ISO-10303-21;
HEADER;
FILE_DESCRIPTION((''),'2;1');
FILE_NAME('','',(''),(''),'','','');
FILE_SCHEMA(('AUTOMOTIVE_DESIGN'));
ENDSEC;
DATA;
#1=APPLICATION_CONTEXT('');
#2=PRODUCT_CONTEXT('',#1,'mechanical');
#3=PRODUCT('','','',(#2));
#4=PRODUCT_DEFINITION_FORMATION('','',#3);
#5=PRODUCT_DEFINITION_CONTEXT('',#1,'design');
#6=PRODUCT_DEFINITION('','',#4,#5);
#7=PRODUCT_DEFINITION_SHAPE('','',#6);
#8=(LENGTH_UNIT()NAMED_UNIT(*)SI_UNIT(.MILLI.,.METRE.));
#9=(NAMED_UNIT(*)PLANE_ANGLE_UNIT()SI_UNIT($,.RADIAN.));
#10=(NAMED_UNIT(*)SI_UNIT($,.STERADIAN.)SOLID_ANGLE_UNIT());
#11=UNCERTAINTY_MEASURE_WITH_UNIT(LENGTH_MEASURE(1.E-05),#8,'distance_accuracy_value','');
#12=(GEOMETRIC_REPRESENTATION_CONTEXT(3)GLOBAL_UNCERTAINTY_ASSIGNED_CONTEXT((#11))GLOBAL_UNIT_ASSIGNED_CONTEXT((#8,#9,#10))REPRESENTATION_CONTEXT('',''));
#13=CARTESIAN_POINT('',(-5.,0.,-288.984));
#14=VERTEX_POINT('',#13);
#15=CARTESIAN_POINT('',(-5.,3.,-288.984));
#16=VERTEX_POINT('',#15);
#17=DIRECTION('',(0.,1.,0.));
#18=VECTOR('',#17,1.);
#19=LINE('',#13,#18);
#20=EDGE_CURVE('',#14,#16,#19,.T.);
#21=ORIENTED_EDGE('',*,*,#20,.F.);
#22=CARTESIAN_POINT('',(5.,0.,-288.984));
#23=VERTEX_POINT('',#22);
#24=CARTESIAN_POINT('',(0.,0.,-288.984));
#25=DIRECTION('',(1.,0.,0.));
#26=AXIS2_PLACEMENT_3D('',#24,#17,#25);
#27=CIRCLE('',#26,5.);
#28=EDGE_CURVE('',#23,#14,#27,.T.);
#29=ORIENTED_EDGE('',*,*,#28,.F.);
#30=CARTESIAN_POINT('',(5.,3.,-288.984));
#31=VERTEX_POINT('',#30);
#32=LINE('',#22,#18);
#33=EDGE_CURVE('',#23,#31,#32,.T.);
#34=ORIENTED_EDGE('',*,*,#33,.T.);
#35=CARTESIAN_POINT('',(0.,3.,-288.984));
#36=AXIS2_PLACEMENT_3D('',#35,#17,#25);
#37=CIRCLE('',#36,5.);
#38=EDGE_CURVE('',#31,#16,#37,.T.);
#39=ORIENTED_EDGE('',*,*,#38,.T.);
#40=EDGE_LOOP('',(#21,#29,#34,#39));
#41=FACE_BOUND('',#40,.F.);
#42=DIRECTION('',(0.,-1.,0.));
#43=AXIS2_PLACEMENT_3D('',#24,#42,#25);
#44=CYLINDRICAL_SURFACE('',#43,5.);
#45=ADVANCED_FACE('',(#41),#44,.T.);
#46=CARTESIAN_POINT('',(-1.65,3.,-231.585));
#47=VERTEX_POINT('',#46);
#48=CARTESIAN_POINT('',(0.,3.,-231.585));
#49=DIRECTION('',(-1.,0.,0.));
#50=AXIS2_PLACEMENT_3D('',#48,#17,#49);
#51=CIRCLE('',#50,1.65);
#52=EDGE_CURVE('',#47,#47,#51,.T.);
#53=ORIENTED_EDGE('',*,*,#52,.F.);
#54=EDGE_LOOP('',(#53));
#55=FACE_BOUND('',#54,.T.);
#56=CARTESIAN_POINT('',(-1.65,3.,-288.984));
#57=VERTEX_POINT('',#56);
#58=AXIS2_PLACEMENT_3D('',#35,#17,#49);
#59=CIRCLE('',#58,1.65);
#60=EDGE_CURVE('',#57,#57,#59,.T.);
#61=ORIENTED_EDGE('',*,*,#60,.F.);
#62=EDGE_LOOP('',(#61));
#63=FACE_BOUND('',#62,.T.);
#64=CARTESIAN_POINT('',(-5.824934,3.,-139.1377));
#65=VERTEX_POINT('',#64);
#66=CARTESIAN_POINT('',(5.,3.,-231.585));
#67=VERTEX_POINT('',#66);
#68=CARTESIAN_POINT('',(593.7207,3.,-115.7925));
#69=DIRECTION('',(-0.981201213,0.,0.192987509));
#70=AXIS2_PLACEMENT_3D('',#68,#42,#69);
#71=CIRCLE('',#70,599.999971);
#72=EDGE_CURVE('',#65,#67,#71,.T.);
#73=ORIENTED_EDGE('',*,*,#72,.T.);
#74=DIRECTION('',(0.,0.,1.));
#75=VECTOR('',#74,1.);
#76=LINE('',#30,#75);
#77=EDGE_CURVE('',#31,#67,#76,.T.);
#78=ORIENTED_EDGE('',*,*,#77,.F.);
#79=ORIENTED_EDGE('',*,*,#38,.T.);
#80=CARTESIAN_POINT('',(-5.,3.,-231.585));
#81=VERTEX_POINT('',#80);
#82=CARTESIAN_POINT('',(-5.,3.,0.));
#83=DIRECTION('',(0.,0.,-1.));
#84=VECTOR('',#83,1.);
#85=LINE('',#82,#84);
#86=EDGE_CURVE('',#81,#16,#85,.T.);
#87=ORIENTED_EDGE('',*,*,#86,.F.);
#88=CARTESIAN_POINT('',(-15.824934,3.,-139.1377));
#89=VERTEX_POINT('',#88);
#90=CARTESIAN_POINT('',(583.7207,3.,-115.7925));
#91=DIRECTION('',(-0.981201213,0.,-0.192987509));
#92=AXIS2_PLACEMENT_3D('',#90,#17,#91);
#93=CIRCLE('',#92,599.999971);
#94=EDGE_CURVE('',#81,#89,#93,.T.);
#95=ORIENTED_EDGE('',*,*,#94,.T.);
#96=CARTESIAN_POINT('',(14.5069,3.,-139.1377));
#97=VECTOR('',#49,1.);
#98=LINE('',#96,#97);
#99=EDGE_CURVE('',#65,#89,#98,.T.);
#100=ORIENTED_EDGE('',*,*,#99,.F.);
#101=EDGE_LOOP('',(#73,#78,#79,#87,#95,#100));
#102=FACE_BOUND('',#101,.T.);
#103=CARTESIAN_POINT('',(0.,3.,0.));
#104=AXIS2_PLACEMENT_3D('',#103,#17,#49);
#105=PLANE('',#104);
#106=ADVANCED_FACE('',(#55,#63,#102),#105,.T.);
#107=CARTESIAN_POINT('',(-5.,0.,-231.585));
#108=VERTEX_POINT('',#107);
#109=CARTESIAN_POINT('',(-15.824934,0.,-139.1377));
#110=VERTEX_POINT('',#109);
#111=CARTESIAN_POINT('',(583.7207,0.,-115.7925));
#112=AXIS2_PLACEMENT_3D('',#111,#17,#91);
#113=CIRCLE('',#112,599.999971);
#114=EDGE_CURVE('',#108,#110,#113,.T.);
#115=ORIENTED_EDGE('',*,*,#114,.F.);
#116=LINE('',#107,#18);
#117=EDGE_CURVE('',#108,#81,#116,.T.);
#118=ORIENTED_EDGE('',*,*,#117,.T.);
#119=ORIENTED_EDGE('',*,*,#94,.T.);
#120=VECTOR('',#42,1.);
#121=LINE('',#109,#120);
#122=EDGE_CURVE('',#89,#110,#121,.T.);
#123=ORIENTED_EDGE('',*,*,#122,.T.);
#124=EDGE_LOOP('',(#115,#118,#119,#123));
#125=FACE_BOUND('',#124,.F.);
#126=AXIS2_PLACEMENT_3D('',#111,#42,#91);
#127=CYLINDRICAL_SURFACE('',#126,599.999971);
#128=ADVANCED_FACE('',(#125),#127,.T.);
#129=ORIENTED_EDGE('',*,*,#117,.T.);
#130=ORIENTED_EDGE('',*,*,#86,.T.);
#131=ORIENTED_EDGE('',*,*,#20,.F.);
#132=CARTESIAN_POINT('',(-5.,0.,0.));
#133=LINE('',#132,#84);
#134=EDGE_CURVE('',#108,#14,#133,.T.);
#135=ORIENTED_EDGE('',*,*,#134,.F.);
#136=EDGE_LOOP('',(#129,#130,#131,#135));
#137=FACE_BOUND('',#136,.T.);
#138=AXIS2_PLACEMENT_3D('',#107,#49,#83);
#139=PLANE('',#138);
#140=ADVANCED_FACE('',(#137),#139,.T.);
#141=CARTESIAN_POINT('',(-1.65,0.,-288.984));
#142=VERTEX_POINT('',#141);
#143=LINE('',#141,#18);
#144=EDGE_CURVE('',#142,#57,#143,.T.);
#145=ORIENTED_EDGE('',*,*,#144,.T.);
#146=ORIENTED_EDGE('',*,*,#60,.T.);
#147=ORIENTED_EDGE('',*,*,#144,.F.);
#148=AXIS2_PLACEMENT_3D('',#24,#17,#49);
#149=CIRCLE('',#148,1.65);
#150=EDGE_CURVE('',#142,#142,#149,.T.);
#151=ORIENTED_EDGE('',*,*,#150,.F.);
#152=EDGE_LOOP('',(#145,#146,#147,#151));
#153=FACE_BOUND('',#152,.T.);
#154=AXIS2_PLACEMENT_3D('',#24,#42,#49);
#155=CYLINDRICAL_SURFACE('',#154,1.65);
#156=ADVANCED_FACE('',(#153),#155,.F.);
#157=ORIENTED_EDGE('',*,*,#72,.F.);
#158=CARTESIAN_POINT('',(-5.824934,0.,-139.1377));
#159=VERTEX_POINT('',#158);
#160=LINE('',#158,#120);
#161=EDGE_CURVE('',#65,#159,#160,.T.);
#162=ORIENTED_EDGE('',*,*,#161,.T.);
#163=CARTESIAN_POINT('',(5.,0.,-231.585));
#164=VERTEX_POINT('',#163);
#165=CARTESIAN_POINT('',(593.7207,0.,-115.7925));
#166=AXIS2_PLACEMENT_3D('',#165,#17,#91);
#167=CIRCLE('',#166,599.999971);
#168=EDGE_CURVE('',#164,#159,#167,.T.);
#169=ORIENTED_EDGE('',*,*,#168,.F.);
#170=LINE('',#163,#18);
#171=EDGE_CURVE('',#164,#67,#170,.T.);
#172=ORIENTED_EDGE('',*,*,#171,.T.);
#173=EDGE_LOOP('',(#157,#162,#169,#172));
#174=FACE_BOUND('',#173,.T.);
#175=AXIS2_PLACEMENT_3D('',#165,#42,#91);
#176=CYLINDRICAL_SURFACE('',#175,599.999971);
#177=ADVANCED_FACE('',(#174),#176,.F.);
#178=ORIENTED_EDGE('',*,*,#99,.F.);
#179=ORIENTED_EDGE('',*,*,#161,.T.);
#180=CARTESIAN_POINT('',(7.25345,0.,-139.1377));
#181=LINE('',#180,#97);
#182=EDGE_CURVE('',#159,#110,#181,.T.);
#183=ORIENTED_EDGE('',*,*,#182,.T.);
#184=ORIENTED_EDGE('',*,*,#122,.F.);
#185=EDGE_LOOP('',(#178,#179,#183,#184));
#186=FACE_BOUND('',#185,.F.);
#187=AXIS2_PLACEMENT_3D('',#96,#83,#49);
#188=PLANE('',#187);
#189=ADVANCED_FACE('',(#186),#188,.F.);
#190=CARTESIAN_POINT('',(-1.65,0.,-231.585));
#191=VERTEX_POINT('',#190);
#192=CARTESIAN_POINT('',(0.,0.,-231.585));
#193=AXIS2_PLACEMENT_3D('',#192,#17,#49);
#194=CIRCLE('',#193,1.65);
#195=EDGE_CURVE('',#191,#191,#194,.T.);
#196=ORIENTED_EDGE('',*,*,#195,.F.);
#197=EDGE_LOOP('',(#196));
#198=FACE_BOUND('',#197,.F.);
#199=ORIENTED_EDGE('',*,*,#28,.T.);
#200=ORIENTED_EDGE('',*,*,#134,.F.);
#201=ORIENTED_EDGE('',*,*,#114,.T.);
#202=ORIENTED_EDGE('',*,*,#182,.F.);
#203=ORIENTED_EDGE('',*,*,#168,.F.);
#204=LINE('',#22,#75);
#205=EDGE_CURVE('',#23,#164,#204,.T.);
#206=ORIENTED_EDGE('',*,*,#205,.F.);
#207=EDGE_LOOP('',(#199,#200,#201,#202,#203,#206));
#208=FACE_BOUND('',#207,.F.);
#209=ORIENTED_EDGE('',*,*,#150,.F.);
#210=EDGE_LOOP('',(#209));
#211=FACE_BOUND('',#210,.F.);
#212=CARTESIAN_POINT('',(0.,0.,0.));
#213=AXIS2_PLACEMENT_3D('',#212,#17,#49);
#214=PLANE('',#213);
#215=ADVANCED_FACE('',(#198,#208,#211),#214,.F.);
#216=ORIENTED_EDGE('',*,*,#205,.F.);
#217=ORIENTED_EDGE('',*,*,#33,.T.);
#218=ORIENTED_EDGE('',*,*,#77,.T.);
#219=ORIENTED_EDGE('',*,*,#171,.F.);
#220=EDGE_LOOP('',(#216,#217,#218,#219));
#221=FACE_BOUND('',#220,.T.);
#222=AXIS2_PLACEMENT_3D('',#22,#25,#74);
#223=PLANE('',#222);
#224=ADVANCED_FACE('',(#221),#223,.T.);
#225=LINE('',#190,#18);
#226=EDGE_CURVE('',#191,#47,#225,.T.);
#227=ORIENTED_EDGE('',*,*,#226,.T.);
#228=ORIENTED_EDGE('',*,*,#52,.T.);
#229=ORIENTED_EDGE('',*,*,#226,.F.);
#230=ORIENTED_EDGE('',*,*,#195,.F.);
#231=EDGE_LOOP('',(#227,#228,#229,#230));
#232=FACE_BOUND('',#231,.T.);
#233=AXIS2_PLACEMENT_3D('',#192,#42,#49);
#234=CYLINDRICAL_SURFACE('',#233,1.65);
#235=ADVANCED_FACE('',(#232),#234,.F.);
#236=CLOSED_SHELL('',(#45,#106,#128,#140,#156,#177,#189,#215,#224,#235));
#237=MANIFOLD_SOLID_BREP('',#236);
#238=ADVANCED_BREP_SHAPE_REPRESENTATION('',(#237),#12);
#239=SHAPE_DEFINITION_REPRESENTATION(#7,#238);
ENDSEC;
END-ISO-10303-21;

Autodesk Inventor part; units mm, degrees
ref_plane "YZ Plane" through (0, 0, 0) normal (1, 0, 0) x (0, 1, 0)
ref_plane "XZ Plane" through (0, 0, 0) normal (0, 1, 0) x (-1, 0, 0)
ref_plane "XY Plane" through (0, 0, 0) normal (0, 0, 1) x (1, 0, 0)
sketch "Sketch1" plane through (0, 0, 0) normal (0, 1, 0) x (-1, 0, 0)
  line L0 (0, 0) -> (0, -288.984) construction
  line L1 (5, 0) -> (5, -288.984)
  line L2 (-5, -288.984) -> (-5, 0)
  arc A0 (5, 0) -> (-5, 0) centre (0, 0) ccw
  arc A1 (-5, -288.984) -> (5, -288.984) centre (0, -288.984) ccw
  circle A2 centre (0, 0) radius 1.65
  circle A3 centre (0, -288.984) radius 1.65
  circle A4 centre (0, -231.585) radius 1.65
  arc A5 (-5, -231.585) -> (-5, 0) centre (-593.7207, -115.7925) ccw
  arc A6 (5, -231.585) -> (5, 0) centre (-583.7207, -115.7925) ccw
  point P0 (0, -144.492)
  dimension "d0" = 3.3
  dimension "d1" = 3.3
  dimension "d2" = 10
  dimension "d3" = 288.984
  dimension "d14" = 3.3
  dimension "d15" = 231.585
  dimension "d18" = 600
  dimension "d19" = 600
extrude "Extrusion1" add sketch "Sketch1" along normal blind 3 contours L1 A1 L2 A5 | L1 A5 A6 | L1 A5 A0
sketch "Sketch2" plane through (0, 3, 0) normal (0, 1, 0) x (1, 0, 0)
  line L0 (-27.7109, 299.4385) -> (14.5069, 299.4385)
  line L1 (14.5069, 299.4385) -> (14.5069, 139.1377)
  line L2 (14.5069, 139.1377) -> (-27.7109, 139.1377)
  line L3 (-27.7109, 139.1377) -> (-27.7109, 299.4385)
  line L4 (-101.0366, 321.0236) -> (54.5028, 321.0236)
  line L5 (54.5028, 321.0236) -> (54.5028, -14.1796)
  line L6 (54.5028, -14.1796) -> (-101.0366, -14.1796)
  line L7 (-101.0366, -14.1796) -> (-101.0366, 321.0236)
  point P0 (0, 0)
extrude "Extrusion2" cut sketch "Sketch2" against normal blind 10
properties part number "Part_7_p2"
